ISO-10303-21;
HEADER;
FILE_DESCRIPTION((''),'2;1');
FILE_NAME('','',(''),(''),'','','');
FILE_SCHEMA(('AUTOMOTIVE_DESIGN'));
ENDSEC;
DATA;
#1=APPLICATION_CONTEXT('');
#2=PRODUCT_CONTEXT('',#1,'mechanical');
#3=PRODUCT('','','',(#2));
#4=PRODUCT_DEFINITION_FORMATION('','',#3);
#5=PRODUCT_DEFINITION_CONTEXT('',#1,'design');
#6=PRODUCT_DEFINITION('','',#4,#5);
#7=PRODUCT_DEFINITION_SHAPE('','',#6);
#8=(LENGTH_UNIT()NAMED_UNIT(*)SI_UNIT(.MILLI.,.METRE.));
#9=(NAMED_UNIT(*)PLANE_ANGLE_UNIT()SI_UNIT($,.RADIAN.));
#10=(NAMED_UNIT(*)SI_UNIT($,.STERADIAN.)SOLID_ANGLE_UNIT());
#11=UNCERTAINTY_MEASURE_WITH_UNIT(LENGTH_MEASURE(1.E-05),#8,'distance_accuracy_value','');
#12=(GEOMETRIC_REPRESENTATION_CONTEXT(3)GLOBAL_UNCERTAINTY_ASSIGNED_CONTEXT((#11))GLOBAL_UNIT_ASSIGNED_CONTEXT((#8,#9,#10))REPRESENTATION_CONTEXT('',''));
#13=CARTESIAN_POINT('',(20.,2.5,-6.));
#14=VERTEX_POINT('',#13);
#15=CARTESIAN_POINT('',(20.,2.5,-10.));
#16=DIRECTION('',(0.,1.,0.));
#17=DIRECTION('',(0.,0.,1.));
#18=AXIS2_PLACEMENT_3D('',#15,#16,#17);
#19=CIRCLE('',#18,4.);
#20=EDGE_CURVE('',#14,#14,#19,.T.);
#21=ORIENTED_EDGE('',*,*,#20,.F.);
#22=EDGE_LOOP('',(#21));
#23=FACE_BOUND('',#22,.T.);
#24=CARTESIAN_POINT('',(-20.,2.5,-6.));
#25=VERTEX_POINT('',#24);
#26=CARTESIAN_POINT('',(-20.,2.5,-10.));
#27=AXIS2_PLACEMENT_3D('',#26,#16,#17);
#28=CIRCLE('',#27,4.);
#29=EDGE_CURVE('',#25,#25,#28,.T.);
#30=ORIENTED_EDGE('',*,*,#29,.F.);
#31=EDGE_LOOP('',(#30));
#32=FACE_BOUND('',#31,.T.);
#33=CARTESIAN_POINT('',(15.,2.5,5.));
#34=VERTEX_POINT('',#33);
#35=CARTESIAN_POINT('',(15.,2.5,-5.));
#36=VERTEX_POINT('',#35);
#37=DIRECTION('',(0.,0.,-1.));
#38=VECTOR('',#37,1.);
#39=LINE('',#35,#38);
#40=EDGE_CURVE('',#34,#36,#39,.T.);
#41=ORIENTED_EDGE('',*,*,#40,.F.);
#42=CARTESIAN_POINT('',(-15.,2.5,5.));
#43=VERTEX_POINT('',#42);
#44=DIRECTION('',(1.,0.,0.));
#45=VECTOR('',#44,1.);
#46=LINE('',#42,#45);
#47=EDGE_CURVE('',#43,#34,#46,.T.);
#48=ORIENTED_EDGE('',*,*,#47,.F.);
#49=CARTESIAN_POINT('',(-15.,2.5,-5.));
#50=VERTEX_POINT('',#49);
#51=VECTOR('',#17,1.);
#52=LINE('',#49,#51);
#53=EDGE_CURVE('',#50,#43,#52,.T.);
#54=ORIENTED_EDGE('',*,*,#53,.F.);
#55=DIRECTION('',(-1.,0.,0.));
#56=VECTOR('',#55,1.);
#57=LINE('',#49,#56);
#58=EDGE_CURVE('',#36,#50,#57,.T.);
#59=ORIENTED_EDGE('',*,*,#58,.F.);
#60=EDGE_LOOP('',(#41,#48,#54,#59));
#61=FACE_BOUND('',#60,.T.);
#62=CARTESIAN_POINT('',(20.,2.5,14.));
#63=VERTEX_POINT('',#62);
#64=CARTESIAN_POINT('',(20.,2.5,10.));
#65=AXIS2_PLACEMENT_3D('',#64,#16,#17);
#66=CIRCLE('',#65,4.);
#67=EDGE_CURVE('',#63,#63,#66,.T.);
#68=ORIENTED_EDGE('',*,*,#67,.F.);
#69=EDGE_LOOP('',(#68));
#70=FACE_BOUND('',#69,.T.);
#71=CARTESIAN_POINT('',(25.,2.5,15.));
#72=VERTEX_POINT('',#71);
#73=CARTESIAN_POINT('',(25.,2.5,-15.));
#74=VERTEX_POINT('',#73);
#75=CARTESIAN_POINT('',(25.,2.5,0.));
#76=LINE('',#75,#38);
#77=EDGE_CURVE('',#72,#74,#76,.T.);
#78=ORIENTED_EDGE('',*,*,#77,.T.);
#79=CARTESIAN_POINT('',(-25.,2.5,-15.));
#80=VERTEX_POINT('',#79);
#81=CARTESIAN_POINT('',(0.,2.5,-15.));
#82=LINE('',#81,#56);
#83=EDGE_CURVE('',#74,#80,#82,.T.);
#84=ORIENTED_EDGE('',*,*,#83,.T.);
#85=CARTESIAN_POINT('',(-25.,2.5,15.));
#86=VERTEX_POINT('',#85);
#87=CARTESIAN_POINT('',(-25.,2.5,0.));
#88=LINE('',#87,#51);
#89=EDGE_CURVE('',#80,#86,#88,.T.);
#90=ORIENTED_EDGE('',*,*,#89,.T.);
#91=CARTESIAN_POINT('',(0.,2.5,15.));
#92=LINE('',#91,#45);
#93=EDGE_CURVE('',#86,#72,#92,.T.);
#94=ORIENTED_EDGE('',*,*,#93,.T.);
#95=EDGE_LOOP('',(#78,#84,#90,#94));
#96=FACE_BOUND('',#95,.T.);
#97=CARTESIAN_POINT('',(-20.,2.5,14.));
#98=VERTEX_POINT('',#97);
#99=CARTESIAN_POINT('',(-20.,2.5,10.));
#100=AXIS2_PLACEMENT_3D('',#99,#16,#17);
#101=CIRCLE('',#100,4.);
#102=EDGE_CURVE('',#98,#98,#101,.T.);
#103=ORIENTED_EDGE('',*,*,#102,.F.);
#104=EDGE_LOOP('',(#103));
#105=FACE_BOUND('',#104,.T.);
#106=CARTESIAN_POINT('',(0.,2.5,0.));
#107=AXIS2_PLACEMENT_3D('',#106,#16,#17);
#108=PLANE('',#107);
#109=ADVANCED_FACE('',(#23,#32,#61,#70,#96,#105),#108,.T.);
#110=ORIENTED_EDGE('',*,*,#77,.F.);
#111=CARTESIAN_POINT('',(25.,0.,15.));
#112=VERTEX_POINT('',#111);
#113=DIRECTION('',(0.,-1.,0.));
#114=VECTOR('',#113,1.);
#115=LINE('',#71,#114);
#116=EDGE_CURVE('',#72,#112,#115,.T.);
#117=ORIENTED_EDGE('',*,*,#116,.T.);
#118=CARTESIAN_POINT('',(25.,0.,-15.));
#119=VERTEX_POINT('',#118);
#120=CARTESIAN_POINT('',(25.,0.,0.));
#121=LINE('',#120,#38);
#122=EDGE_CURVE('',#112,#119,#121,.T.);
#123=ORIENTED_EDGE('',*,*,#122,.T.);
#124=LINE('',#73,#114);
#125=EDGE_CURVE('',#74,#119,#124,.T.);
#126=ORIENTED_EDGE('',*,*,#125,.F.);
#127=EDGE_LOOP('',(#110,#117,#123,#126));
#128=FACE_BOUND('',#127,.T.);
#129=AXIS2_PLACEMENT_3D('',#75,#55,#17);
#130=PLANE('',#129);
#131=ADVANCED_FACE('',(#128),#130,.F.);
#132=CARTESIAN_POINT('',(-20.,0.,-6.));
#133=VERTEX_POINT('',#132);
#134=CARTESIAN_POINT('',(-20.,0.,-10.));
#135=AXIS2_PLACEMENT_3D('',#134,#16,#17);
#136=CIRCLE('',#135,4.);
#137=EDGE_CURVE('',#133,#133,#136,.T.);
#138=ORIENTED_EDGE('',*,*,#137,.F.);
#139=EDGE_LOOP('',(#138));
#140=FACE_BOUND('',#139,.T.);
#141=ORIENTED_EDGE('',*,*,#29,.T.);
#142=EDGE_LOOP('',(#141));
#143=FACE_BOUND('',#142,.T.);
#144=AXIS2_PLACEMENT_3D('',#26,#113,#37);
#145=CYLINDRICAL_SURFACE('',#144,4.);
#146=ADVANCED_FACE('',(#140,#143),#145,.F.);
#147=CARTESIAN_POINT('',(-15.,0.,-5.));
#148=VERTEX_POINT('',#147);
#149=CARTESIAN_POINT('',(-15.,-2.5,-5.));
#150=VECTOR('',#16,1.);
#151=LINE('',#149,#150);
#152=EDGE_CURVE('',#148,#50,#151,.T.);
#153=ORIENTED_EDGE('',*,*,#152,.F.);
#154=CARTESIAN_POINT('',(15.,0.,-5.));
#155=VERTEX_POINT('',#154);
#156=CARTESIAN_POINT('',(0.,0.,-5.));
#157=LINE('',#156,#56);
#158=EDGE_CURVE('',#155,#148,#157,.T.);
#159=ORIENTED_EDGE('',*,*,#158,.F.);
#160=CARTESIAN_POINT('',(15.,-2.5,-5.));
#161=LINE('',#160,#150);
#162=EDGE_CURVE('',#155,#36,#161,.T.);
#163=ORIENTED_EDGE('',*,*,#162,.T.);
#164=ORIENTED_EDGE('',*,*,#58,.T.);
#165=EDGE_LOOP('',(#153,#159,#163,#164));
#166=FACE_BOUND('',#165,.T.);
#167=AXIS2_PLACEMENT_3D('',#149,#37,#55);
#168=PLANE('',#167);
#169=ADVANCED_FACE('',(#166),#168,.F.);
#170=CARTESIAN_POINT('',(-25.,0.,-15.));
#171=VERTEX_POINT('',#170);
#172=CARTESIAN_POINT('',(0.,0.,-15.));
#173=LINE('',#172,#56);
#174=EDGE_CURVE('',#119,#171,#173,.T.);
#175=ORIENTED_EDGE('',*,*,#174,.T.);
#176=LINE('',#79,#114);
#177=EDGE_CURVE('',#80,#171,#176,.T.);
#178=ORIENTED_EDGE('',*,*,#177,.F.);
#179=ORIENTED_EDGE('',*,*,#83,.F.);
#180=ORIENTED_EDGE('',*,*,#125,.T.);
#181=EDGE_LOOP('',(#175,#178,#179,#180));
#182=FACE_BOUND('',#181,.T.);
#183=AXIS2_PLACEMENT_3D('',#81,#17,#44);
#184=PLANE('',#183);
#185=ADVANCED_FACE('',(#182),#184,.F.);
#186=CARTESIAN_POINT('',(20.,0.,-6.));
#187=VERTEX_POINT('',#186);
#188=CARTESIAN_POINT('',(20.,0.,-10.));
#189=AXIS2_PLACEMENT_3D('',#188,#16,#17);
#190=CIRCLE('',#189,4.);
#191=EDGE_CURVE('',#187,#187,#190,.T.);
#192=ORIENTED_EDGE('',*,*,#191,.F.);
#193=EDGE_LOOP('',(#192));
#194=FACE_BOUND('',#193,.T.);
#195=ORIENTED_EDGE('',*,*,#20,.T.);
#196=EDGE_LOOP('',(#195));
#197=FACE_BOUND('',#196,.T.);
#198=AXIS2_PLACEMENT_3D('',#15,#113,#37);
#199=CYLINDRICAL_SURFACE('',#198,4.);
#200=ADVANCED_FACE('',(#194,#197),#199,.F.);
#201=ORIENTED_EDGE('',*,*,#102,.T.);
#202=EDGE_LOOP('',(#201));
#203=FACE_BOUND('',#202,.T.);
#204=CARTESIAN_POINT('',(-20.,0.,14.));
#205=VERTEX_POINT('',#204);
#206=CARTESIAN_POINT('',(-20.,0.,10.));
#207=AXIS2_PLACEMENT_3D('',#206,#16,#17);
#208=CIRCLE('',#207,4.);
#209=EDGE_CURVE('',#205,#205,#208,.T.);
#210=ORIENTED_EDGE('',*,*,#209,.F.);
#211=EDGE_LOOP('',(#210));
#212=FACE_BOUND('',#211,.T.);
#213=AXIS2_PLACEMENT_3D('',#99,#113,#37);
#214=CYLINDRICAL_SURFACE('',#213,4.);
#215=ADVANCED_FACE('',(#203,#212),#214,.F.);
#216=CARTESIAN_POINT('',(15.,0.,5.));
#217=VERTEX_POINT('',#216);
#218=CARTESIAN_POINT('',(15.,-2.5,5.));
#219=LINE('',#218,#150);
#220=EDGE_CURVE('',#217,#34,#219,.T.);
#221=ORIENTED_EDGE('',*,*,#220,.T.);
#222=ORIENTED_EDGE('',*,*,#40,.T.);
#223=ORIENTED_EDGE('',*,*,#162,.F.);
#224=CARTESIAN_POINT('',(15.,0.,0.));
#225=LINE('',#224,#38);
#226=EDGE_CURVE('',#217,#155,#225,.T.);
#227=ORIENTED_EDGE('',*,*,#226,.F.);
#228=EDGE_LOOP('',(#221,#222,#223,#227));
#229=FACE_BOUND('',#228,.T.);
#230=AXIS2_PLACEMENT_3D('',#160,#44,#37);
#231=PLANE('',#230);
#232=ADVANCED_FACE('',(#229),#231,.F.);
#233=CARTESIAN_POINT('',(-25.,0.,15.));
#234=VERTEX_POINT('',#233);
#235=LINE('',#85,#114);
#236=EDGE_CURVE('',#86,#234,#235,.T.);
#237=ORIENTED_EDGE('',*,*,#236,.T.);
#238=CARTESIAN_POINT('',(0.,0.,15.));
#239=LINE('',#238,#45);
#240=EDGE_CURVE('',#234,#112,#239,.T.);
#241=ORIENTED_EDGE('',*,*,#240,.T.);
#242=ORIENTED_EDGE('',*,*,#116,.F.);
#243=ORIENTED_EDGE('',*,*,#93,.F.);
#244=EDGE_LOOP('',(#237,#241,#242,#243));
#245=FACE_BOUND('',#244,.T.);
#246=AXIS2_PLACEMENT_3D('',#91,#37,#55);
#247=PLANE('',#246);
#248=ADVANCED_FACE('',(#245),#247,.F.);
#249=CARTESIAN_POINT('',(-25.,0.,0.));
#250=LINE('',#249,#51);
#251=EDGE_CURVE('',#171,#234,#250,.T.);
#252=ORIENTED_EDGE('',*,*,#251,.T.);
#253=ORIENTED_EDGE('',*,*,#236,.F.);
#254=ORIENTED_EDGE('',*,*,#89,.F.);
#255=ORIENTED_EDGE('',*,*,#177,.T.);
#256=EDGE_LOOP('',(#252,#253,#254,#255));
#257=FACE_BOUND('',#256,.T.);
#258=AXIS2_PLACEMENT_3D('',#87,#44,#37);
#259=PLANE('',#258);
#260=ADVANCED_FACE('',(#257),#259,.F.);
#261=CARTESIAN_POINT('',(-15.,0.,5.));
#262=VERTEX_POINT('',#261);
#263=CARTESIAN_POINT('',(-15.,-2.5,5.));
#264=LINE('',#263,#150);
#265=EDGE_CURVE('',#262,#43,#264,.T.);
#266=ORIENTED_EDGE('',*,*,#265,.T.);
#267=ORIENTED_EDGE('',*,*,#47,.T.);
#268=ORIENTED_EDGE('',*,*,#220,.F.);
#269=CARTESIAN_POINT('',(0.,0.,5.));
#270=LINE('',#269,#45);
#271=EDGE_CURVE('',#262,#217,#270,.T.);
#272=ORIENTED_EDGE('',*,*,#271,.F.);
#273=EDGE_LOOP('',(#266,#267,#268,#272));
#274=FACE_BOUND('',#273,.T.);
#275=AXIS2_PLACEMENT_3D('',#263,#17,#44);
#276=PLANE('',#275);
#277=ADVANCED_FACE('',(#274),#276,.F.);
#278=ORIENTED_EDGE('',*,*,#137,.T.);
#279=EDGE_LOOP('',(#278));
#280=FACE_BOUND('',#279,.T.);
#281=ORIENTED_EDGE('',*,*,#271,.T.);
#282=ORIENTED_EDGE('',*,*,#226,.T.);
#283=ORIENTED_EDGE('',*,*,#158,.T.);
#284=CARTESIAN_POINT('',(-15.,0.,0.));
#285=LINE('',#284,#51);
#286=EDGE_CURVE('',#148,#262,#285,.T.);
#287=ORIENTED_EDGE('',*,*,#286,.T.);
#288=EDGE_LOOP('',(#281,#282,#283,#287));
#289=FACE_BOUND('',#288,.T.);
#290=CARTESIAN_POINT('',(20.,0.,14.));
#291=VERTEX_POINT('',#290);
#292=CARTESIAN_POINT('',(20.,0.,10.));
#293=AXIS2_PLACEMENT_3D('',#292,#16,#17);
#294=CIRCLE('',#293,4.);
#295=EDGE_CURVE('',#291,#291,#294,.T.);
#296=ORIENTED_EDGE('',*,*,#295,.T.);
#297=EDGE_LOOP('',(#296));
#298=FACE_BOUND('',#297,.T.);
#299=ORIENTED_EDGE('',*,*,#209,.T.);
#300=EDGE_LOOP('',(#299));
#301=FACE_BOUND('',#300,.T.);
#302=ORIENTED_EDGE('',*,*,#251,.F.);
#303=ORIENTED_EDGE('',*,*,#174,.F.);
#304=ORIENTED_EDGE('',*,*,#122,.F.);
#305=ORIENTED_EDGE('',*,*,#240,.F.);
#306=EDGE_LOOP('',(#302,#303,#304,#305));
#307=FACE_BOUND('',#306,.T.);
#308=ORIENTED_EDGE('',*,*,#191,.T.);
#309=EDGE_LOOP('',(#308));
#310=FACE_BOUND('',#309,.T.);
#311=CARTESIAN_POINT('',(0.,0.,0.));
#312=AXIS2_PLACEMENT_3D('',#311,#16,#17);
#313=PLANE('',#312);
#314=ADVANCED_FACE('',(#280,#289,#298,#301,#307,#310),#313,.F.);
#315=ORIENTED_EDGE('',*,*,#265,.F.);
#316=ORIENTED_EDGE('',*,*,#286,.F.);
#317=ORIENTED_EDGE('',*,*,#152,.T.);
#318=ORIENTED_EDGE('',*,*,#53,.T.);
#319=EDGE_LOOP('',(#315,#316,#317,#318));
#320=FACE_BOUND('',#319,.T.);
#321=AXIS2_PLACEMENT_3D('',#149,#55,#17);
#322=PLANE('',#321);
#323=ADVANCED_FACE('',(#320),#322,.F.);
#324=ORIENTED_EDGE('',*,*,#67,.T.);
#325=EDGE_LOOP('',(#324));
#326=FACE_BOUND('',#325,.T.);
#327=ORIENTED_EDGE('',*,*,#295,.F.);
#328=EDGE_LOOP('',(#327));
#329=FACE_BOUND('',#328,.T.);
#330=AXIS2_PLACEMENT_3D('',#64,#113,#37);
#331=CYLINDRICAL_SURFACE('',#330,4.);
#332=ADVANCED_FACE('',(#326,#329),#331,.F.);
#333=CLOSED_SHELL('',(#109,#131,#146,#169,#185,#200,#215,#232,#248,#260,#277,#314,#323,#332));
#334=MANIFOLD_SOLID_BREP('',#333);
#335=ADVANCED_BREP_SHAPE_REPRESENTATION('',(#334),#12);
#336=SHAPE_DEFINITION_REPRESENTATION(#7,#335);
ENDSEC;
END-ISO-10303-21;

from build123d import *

# Parameters (mm, degrees)
SKETCH2_W           = 50
SKETCH2_H           = 30
SKETCH2_R           = 4
BOSS_EXTRUDE1_DEPTH = 2.5
SKETCH3_W           = 30
SKETCH3_H           = 10
CUT_EXTRUDE1_DEPTH  = 5


with BuildPart() as part:
    # Sketch2 → Boss-Extrude1 (new body)
    with BuildSketch(Plane(origin=(0, 0, 0), x_dir=(1, 0, 0), z_dir=(0, 1, 0))):
        Rectangle(SKETCH2_W, SKETCH2_H)
        with Locations(Location((-20, -10, 0), (0, 0, 270))):
            Circle(SKETCH2_R, mode=Mode.SUBTRACT)
        with Locations(Location((20, -10, 0), (0, 0, 270))):
            Circle(SKETCH2_R, mode=Mode.SUBTRACT)
        with Locations(Location((20, 10, 0), (0, 0, 270))):
            Circle(SKETCH2_R, mode=Mode.SUBTRACT)
        with Locations(Location((-20, 10, 0), (0, 0, 270))):
            Circle(SKETCH2_R, mode=Mode.SUBTRACT)
    extrude(amount=BOSS_EXTRUDE1_DEPTH)

    # Sketch3 → Cut-Extrude1 (cut)
    with BuildSketch(Plane(origin=(0, 2.5, 0), x_dir=(1, 0, 0), z_dir=(0, 1, 0))):
        Rectangle(SKETCH3_W, SKETCH3_H)
    extrude(amount=-CUT_EXTRUDE1_DEPTH, mode=Mode.SUBTRACT)


solid = part.part
